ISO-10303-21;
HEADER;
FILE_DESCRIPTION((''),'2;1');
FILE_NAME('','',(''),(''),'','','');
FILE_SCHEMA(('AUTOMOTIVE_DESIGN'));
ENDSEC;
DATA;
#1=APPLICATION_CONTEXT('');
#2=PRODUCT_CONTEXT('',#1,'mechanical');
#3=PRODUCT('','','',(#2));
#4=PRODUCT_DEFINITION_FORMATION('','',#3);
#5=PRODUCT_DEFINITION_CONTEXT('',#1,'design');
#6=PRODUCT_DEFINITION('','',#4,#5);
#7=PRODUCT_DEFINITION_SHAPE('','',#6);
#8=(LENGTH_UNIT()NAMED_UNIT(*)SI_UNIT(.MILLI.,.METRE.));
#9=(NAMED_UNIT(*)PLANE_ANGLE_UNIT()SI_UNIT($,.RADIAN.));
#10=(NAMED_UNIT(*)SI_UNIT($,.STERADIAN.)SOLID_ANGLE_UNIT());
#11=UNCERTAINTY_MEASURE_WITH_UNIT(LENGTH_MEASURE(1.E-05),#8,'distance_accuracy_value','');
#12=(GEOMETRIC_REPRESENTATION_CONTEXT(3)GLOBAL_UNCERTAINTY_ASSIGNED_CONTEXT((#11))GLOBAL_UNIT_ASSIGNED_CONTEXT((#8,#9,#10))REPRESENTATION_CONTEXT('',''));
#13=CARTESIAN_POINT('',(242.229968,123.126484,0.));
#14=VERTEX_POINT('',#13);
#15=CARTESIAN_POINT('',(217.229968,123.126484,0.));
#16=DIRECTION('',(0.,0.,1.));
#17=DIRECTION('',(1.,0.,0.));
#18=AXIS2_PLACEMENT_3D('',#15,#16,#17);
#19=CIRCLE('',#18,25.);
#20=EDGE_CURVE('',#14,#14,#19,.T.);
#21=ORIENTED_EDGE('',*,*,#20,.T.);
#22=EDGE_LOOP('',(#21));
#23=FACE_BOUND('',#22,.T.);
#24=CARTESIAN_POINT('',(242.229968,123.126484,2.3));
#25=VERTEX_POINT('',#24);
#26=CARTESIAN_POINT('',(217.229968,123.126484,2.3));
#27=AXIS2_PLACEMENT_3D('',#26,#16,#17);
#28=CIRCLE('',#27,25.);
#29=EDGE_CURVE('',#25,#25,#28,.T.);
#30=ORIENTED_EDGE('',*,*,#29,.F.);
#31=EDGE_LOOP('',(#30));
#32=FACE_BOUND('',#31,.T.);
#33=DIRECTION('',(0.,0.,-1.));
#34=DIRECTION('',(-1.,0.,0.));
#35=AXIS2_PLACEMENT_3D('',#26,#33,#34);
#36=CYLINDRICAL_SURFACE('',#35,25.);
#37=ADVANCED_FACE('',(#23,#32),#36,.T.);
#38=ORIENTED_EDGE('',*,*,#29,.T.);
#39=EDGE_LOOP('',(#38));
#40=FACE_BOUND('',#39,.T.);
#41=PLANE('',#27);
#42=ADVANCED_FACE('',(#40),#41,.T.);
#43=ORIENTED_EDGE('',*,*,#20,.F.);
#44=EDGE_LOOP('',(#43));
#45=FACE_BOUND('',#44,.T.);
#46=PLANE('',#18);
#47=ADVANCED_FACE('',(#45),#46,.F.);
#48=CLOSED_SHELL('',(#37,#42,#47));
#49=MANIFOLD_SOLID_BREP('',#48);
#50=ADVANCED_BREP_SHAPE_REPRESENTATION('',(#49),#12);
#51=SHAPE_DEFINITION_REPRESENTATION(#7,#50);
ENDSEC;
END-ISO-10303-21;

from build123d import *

# Parameters (mm, degrees)
SKETCH_1_R      = 25
EXTRUDE_1_DEPTH = 2.3


with BuildPart() as part:
    # 草图1 → 凸台-拉伸1 (new body)
    with BuildSketch(Plane.XY):
        with Locations((217.229967885, 123.126483669)):
            Circle(SKETCH_1_R)
    extrude(amount=EXTRUDE_1_DEPTH)


solid = part.part
